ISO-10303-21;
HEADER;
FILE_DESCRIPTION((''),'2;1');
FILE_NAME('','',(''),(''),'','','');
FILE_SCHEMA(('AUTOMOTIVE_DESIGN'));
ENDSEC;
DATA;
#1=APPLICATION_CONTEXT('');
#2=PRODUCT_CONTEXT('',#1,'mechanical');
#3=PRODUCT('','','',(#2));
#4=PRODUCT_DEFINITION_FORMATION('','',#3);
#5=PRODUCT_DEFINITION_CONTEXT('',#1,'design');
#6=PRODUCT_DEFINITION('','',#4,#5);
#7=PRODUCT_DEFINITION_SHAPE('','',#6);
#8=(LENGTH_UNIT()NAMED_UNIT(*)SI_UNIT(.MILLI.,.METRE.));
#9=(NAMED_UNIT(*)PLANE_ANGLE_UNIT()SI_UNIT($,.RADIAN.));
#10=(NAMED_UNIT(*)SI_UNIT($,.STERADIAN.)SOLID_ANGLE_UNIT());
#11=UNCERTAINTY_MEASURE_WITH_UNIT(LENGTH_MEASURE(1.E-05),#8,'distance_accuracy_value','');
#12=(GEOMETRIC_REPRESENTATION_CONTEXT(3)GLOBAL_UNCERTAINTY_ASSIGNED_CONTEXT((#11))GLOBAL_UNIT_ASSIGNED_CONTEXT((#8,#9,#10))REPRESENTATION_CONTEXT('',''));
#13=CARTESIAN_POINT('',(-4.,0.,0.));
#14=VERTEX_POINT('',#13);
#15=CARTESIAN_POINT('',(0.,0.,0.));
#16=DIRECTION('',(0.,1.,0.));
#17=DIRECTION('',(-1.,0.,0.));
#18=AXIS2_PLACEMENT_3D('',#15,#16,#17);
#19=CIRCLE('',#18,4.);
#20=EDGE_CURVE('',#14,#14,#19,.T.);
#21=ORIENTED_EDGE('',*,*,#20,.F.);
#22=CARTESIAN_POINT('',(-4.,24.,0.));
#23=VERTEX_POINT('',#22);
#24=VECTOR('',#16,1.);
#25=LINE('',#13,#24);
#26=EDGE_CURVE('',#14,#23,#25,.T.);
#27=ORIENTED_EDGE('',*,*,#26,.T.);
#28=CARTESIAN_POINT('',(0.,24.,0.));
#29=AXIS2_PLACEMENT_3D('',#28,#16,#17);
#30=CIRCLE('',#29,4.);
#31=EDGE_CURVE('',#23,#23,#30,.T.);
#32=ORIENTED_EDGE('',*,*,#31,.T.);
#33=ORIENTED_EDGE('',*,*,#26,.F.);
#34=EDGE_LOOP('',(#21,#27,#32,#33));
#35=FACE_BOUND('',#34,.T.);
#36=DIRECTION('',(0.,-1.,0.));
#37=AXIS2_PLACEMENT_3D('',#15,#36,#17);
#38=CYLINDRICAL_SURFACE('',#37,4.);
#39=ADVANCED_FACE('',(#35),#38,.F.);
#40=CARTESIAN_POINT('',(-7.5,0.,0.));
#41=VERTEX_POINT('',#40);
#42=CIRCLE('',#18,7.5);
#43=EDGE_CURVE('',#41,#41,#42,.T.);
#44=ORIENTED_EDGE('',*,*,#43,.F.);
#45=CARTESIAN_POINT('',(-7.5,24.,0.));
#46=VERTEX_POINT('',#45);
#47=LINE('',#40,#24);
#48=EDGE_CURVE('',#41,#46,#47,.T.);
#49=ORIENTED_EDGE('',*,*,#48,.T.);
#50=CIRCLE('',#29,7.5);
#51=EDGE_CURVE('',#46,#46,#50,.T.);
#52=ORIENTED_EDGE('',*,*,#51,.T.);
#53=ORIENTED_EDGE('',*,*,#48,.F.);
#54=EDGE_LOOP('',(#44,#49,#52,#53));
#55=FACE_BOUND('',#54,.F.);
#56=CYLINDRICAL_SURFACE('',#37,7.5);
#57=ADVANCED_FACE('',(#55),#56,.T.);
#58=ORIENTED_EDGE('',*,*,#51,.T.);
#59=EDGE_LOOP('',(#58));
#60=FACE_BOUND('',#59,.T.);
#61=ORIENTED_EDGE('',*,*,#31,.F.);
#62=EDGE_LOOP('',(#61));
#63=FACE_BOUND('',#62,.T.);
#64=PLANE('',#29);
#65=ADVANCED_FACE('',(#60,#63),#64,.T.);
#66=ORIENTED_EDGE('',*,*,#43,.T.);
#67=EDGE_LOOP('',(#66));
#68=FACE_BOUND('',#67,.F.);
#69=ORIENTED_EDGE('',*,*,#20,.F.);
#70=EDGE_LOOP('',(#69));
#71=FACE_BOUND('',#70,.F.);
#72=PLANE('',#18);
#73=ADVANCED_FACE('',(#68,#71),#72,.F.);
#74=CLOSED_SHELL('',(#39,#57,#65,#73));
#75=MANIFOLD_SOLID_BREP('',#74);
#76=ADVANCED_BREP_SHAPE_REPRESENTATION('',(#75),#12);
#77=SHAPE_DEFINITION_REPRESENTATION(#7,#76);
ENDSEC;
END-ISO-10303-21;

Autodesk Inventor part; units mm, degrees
ref_plane "YZ Plane" through (0, 0, 0) normal (1, 0, 0) x (0, 1, 0)
ref_plane "XZ Plane" through (0, 0, 0) normal (0, 1, 0) x (-1, 0, 0)
ref_plane "XY Plane" through (0, 0, 0) normal (0, 0, 1) x (1, 0, 0)
sketch "Sketch1" plane through (0, 0, 0) normal (0, 1, 0) x (-1, 0, 0)
  circle A0 centre (0, 0) radius 4
  circle A1 centre (0, 0) radius 7.5
  dimension "d0" = 8
  dimension "d1" = 15
extrude "Extrusion1" add sketch "Sketch1" along normal blind 24
properties part number "Con_Truot"
